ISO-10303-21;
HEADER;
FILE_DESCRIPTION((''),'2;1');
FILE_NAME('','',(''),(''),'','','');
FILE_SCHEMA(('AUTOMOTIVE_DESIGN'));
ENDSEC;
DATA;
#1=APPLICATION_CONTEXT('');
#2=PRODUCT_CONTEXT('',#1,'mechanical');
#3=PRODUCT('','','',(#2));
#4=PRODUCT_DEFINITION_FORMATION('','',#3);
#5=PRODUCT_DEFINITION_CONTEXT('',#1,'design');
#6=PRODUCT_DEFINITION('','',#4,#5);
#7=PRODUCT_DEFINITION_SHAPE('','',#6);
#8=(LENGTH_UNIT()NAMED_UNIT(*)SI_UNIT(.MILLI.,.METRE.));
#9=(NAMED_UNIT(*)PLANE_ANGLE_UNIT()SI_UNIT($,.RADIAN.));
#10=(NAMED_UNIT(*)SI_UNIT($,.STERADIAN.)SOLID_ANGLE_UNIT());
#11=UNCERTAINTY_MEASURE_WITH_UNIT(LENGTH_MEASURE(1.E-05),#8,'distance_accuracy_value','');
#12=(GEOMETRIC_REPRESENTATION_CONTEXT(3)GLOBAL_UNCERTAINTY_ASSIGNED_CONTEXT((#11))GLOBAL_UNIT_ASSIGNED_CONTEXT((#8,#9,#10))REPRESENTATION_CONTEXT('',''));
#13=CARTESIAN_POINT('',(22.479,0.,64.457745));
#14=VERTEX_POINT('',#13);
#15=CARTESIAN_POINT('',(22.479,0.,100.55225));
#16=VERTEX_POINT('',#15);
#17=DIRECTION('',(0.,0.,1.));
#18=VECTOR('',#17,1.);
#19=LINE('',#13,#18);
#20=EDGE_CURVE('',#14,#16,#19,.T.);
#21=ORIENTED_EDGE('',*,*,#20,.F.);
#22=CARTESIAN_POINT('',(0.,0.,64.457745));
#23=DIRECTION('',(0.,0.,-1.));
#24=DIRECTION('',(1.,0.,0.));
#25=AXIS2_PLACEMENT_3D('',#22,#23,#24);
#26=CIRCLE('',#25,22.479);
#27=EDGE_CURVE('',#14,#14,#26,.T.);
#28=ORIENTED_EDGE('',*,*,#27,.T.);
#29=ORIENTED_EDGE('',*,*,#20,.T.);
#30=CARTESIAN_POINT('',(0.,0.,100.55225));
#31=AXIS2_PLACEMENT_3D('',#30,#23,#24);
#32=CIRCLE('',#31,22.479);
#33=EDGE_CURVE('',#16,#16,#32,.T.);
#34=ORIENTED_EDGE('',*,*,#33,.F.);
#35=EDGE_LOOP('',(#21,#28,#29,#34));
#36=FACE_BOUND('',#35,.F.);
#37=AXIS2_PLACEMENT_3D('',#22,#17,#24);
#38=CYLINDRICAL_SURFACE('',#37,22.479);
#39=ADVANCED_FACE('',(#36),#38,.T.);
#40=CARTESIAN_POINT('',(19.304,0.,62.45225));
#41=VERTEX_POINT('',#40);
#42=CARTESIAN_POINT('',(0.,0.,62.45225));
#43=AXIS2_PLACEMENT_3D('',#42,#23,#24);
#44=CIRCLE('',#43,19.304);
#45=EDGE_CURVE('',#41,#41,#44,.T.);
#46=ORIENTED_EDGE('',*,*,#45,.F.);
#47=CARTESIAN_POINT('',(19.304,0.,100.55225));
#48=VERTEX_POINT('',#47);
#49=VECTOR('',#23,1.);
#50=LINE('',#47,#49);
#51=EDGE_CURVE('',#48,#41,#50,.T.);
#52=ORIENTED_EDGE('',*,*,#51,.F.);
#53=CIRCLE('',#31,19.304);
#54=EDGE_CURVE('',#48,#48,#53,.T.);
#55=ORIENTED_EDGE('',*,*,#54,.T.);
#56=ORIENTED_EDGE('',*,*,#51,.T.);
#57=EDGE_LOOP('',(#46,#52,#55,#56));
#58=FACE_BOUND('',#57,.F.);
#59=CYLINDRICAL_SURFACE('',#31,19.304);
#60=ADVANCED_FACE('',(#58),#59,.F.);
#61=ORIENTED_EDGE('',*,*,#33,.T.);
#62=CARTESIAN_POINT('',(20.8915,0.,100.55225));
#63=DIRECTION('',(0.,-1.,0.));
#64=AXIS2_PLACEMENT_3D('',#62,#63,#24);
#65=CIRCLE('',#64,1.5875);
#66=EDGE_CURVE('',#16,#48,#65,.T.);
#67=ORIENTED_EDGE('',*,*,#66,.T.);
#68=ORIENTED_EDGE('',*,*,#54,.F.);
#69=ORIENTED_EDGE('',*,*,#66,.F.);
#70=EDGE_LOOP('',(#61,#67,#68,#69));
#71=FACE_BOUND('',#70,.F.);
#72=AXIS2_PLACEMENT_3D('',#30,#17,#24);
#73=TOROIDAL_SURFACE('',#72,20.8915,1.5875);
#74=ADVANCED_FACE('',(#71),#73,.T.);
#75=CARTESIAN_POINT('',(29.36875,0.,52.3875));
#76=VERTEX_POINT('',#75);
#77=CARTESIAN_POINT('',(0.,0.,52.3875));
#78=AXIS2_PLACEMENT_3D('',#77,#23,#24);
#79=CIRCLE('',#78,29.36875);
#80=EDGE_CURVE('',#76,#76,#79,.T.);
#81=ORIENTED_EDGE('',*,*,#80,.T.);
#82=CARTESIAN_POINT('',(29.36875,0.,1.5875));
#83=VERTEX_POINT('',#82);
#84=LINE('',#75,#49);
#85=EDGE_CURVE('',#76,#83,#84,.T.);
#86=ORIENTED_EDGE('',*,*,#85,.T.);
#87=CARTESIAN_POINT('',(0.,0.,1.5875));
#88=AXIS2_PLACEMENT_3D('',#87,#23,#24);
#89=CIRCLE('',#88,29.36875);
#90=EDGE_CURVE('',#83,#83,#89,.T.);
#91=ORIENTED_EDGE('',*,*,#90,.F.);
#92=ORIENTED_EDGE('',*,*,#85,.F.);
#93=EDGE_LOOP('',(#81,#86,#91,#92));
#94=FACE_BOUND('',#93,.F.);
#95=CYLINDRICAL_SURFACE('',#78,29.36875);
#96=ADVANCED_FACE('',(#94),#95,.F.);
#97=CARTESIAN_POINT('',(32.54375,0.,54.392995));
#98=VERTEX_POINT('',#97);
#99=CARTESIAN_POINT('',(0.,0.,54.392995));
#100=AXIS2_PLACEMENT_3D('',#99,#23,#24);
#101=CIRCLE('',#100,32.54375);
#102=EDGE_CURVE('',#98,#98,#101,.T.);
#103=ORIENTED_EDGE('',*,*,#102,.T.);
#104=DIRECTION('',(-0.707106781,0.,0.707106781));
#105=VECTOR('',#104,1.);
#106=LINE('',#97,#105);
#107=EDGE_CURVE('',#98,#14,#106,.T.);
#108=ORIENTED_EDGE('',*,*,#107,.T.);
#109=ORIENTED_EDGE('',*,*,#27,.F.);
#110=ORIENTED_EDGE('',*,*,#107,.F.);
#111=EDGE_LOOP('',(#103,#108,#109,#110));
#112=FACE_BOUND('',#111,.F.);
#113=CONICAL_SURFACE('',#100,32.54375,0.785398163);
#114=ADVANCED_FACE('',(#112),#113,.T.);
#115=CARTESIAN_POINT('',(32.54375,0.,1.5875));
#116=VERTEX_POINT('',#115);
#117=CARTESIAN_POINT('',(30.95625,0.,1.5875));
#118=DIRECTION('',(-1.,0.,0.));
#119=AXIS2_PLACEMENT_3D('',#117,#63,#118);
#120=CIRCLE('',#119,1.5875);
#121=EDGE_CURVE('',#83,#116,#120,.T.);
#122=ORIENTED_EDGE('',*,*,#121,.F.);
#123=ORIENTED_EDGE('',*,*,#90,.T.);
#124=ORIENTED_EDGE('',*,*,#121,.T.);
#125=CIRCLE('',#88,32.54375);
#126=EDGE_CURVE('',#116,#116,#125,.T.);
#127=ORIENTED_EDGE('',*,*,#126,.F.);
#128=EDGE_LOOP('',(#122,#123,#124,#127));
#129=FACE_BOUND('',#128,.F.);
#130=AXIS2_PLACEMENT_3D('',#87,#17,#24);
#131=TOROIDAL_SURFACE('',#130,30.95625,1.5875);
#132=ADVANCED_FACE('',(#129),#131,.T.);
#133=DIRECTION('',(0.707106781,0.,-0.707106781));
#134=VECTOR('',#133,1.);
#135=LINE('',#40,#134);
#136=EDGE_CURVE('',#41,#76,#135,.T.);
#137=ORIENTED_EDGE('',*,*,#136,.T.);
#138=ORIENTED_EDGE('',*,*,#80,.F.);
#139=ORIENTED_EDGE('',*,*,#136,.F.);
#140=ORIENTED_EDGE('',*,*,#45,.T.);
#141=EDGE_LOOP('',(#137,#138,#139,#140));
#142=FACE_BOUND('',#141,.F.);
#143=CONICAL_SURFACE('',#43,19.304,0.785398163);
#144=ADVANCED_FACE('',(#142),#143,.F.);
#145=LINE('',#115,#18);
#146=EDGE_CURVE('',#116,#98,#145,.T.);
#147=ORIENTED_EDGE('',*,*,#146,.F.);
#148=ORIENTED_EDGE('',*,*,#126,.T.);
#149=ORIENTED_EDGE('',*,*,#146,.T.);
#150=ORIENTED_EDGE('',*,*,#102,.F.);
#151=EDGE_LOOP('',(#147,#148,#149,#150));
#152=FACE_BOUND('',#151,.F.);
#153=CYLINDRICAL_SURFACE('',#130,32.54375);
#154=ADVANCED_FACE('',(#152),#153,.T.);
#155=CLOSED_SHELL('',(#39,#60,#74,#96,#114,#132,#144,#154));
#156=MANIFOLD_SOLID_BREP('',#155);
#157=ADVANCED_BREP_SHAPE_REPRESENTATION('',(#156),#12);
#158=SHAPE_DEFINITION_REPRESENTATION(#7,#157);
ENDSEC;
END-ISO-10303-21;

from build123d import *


with BuildPart() as f1:
    # F0 (on Front) → F1 (revolve)
    with BuildSketch(Plane.XZ):
        with BuildLine():
            Line((29.36875, 52.3875), (29.36875, 1.5875))
            ThreePointArc((29.36875, 1.5875), (30.95625, 0), (32.54375, 1.5875))
            Line((32.54375, 1.5875), (32.54375, 54.392995))
            Line((32.54375, 54.392995), (22.479, 64.457745))
            Line((22.479, 64.457745), (22.479, 100.55225))
            ThreePointArc((22.479, 100.55225), (20.8915, 102.13975), (19.304, 100.55225))
            Line((19.304, 100.55225), (19.304, 62.45225))
            Line((19.304, 62.45225), (29.36875, 52.3875))
        make_face()
    revolve(axis=Axis((0, 0, 21.63379), (0, 0, -1)))


solid = f1.part
